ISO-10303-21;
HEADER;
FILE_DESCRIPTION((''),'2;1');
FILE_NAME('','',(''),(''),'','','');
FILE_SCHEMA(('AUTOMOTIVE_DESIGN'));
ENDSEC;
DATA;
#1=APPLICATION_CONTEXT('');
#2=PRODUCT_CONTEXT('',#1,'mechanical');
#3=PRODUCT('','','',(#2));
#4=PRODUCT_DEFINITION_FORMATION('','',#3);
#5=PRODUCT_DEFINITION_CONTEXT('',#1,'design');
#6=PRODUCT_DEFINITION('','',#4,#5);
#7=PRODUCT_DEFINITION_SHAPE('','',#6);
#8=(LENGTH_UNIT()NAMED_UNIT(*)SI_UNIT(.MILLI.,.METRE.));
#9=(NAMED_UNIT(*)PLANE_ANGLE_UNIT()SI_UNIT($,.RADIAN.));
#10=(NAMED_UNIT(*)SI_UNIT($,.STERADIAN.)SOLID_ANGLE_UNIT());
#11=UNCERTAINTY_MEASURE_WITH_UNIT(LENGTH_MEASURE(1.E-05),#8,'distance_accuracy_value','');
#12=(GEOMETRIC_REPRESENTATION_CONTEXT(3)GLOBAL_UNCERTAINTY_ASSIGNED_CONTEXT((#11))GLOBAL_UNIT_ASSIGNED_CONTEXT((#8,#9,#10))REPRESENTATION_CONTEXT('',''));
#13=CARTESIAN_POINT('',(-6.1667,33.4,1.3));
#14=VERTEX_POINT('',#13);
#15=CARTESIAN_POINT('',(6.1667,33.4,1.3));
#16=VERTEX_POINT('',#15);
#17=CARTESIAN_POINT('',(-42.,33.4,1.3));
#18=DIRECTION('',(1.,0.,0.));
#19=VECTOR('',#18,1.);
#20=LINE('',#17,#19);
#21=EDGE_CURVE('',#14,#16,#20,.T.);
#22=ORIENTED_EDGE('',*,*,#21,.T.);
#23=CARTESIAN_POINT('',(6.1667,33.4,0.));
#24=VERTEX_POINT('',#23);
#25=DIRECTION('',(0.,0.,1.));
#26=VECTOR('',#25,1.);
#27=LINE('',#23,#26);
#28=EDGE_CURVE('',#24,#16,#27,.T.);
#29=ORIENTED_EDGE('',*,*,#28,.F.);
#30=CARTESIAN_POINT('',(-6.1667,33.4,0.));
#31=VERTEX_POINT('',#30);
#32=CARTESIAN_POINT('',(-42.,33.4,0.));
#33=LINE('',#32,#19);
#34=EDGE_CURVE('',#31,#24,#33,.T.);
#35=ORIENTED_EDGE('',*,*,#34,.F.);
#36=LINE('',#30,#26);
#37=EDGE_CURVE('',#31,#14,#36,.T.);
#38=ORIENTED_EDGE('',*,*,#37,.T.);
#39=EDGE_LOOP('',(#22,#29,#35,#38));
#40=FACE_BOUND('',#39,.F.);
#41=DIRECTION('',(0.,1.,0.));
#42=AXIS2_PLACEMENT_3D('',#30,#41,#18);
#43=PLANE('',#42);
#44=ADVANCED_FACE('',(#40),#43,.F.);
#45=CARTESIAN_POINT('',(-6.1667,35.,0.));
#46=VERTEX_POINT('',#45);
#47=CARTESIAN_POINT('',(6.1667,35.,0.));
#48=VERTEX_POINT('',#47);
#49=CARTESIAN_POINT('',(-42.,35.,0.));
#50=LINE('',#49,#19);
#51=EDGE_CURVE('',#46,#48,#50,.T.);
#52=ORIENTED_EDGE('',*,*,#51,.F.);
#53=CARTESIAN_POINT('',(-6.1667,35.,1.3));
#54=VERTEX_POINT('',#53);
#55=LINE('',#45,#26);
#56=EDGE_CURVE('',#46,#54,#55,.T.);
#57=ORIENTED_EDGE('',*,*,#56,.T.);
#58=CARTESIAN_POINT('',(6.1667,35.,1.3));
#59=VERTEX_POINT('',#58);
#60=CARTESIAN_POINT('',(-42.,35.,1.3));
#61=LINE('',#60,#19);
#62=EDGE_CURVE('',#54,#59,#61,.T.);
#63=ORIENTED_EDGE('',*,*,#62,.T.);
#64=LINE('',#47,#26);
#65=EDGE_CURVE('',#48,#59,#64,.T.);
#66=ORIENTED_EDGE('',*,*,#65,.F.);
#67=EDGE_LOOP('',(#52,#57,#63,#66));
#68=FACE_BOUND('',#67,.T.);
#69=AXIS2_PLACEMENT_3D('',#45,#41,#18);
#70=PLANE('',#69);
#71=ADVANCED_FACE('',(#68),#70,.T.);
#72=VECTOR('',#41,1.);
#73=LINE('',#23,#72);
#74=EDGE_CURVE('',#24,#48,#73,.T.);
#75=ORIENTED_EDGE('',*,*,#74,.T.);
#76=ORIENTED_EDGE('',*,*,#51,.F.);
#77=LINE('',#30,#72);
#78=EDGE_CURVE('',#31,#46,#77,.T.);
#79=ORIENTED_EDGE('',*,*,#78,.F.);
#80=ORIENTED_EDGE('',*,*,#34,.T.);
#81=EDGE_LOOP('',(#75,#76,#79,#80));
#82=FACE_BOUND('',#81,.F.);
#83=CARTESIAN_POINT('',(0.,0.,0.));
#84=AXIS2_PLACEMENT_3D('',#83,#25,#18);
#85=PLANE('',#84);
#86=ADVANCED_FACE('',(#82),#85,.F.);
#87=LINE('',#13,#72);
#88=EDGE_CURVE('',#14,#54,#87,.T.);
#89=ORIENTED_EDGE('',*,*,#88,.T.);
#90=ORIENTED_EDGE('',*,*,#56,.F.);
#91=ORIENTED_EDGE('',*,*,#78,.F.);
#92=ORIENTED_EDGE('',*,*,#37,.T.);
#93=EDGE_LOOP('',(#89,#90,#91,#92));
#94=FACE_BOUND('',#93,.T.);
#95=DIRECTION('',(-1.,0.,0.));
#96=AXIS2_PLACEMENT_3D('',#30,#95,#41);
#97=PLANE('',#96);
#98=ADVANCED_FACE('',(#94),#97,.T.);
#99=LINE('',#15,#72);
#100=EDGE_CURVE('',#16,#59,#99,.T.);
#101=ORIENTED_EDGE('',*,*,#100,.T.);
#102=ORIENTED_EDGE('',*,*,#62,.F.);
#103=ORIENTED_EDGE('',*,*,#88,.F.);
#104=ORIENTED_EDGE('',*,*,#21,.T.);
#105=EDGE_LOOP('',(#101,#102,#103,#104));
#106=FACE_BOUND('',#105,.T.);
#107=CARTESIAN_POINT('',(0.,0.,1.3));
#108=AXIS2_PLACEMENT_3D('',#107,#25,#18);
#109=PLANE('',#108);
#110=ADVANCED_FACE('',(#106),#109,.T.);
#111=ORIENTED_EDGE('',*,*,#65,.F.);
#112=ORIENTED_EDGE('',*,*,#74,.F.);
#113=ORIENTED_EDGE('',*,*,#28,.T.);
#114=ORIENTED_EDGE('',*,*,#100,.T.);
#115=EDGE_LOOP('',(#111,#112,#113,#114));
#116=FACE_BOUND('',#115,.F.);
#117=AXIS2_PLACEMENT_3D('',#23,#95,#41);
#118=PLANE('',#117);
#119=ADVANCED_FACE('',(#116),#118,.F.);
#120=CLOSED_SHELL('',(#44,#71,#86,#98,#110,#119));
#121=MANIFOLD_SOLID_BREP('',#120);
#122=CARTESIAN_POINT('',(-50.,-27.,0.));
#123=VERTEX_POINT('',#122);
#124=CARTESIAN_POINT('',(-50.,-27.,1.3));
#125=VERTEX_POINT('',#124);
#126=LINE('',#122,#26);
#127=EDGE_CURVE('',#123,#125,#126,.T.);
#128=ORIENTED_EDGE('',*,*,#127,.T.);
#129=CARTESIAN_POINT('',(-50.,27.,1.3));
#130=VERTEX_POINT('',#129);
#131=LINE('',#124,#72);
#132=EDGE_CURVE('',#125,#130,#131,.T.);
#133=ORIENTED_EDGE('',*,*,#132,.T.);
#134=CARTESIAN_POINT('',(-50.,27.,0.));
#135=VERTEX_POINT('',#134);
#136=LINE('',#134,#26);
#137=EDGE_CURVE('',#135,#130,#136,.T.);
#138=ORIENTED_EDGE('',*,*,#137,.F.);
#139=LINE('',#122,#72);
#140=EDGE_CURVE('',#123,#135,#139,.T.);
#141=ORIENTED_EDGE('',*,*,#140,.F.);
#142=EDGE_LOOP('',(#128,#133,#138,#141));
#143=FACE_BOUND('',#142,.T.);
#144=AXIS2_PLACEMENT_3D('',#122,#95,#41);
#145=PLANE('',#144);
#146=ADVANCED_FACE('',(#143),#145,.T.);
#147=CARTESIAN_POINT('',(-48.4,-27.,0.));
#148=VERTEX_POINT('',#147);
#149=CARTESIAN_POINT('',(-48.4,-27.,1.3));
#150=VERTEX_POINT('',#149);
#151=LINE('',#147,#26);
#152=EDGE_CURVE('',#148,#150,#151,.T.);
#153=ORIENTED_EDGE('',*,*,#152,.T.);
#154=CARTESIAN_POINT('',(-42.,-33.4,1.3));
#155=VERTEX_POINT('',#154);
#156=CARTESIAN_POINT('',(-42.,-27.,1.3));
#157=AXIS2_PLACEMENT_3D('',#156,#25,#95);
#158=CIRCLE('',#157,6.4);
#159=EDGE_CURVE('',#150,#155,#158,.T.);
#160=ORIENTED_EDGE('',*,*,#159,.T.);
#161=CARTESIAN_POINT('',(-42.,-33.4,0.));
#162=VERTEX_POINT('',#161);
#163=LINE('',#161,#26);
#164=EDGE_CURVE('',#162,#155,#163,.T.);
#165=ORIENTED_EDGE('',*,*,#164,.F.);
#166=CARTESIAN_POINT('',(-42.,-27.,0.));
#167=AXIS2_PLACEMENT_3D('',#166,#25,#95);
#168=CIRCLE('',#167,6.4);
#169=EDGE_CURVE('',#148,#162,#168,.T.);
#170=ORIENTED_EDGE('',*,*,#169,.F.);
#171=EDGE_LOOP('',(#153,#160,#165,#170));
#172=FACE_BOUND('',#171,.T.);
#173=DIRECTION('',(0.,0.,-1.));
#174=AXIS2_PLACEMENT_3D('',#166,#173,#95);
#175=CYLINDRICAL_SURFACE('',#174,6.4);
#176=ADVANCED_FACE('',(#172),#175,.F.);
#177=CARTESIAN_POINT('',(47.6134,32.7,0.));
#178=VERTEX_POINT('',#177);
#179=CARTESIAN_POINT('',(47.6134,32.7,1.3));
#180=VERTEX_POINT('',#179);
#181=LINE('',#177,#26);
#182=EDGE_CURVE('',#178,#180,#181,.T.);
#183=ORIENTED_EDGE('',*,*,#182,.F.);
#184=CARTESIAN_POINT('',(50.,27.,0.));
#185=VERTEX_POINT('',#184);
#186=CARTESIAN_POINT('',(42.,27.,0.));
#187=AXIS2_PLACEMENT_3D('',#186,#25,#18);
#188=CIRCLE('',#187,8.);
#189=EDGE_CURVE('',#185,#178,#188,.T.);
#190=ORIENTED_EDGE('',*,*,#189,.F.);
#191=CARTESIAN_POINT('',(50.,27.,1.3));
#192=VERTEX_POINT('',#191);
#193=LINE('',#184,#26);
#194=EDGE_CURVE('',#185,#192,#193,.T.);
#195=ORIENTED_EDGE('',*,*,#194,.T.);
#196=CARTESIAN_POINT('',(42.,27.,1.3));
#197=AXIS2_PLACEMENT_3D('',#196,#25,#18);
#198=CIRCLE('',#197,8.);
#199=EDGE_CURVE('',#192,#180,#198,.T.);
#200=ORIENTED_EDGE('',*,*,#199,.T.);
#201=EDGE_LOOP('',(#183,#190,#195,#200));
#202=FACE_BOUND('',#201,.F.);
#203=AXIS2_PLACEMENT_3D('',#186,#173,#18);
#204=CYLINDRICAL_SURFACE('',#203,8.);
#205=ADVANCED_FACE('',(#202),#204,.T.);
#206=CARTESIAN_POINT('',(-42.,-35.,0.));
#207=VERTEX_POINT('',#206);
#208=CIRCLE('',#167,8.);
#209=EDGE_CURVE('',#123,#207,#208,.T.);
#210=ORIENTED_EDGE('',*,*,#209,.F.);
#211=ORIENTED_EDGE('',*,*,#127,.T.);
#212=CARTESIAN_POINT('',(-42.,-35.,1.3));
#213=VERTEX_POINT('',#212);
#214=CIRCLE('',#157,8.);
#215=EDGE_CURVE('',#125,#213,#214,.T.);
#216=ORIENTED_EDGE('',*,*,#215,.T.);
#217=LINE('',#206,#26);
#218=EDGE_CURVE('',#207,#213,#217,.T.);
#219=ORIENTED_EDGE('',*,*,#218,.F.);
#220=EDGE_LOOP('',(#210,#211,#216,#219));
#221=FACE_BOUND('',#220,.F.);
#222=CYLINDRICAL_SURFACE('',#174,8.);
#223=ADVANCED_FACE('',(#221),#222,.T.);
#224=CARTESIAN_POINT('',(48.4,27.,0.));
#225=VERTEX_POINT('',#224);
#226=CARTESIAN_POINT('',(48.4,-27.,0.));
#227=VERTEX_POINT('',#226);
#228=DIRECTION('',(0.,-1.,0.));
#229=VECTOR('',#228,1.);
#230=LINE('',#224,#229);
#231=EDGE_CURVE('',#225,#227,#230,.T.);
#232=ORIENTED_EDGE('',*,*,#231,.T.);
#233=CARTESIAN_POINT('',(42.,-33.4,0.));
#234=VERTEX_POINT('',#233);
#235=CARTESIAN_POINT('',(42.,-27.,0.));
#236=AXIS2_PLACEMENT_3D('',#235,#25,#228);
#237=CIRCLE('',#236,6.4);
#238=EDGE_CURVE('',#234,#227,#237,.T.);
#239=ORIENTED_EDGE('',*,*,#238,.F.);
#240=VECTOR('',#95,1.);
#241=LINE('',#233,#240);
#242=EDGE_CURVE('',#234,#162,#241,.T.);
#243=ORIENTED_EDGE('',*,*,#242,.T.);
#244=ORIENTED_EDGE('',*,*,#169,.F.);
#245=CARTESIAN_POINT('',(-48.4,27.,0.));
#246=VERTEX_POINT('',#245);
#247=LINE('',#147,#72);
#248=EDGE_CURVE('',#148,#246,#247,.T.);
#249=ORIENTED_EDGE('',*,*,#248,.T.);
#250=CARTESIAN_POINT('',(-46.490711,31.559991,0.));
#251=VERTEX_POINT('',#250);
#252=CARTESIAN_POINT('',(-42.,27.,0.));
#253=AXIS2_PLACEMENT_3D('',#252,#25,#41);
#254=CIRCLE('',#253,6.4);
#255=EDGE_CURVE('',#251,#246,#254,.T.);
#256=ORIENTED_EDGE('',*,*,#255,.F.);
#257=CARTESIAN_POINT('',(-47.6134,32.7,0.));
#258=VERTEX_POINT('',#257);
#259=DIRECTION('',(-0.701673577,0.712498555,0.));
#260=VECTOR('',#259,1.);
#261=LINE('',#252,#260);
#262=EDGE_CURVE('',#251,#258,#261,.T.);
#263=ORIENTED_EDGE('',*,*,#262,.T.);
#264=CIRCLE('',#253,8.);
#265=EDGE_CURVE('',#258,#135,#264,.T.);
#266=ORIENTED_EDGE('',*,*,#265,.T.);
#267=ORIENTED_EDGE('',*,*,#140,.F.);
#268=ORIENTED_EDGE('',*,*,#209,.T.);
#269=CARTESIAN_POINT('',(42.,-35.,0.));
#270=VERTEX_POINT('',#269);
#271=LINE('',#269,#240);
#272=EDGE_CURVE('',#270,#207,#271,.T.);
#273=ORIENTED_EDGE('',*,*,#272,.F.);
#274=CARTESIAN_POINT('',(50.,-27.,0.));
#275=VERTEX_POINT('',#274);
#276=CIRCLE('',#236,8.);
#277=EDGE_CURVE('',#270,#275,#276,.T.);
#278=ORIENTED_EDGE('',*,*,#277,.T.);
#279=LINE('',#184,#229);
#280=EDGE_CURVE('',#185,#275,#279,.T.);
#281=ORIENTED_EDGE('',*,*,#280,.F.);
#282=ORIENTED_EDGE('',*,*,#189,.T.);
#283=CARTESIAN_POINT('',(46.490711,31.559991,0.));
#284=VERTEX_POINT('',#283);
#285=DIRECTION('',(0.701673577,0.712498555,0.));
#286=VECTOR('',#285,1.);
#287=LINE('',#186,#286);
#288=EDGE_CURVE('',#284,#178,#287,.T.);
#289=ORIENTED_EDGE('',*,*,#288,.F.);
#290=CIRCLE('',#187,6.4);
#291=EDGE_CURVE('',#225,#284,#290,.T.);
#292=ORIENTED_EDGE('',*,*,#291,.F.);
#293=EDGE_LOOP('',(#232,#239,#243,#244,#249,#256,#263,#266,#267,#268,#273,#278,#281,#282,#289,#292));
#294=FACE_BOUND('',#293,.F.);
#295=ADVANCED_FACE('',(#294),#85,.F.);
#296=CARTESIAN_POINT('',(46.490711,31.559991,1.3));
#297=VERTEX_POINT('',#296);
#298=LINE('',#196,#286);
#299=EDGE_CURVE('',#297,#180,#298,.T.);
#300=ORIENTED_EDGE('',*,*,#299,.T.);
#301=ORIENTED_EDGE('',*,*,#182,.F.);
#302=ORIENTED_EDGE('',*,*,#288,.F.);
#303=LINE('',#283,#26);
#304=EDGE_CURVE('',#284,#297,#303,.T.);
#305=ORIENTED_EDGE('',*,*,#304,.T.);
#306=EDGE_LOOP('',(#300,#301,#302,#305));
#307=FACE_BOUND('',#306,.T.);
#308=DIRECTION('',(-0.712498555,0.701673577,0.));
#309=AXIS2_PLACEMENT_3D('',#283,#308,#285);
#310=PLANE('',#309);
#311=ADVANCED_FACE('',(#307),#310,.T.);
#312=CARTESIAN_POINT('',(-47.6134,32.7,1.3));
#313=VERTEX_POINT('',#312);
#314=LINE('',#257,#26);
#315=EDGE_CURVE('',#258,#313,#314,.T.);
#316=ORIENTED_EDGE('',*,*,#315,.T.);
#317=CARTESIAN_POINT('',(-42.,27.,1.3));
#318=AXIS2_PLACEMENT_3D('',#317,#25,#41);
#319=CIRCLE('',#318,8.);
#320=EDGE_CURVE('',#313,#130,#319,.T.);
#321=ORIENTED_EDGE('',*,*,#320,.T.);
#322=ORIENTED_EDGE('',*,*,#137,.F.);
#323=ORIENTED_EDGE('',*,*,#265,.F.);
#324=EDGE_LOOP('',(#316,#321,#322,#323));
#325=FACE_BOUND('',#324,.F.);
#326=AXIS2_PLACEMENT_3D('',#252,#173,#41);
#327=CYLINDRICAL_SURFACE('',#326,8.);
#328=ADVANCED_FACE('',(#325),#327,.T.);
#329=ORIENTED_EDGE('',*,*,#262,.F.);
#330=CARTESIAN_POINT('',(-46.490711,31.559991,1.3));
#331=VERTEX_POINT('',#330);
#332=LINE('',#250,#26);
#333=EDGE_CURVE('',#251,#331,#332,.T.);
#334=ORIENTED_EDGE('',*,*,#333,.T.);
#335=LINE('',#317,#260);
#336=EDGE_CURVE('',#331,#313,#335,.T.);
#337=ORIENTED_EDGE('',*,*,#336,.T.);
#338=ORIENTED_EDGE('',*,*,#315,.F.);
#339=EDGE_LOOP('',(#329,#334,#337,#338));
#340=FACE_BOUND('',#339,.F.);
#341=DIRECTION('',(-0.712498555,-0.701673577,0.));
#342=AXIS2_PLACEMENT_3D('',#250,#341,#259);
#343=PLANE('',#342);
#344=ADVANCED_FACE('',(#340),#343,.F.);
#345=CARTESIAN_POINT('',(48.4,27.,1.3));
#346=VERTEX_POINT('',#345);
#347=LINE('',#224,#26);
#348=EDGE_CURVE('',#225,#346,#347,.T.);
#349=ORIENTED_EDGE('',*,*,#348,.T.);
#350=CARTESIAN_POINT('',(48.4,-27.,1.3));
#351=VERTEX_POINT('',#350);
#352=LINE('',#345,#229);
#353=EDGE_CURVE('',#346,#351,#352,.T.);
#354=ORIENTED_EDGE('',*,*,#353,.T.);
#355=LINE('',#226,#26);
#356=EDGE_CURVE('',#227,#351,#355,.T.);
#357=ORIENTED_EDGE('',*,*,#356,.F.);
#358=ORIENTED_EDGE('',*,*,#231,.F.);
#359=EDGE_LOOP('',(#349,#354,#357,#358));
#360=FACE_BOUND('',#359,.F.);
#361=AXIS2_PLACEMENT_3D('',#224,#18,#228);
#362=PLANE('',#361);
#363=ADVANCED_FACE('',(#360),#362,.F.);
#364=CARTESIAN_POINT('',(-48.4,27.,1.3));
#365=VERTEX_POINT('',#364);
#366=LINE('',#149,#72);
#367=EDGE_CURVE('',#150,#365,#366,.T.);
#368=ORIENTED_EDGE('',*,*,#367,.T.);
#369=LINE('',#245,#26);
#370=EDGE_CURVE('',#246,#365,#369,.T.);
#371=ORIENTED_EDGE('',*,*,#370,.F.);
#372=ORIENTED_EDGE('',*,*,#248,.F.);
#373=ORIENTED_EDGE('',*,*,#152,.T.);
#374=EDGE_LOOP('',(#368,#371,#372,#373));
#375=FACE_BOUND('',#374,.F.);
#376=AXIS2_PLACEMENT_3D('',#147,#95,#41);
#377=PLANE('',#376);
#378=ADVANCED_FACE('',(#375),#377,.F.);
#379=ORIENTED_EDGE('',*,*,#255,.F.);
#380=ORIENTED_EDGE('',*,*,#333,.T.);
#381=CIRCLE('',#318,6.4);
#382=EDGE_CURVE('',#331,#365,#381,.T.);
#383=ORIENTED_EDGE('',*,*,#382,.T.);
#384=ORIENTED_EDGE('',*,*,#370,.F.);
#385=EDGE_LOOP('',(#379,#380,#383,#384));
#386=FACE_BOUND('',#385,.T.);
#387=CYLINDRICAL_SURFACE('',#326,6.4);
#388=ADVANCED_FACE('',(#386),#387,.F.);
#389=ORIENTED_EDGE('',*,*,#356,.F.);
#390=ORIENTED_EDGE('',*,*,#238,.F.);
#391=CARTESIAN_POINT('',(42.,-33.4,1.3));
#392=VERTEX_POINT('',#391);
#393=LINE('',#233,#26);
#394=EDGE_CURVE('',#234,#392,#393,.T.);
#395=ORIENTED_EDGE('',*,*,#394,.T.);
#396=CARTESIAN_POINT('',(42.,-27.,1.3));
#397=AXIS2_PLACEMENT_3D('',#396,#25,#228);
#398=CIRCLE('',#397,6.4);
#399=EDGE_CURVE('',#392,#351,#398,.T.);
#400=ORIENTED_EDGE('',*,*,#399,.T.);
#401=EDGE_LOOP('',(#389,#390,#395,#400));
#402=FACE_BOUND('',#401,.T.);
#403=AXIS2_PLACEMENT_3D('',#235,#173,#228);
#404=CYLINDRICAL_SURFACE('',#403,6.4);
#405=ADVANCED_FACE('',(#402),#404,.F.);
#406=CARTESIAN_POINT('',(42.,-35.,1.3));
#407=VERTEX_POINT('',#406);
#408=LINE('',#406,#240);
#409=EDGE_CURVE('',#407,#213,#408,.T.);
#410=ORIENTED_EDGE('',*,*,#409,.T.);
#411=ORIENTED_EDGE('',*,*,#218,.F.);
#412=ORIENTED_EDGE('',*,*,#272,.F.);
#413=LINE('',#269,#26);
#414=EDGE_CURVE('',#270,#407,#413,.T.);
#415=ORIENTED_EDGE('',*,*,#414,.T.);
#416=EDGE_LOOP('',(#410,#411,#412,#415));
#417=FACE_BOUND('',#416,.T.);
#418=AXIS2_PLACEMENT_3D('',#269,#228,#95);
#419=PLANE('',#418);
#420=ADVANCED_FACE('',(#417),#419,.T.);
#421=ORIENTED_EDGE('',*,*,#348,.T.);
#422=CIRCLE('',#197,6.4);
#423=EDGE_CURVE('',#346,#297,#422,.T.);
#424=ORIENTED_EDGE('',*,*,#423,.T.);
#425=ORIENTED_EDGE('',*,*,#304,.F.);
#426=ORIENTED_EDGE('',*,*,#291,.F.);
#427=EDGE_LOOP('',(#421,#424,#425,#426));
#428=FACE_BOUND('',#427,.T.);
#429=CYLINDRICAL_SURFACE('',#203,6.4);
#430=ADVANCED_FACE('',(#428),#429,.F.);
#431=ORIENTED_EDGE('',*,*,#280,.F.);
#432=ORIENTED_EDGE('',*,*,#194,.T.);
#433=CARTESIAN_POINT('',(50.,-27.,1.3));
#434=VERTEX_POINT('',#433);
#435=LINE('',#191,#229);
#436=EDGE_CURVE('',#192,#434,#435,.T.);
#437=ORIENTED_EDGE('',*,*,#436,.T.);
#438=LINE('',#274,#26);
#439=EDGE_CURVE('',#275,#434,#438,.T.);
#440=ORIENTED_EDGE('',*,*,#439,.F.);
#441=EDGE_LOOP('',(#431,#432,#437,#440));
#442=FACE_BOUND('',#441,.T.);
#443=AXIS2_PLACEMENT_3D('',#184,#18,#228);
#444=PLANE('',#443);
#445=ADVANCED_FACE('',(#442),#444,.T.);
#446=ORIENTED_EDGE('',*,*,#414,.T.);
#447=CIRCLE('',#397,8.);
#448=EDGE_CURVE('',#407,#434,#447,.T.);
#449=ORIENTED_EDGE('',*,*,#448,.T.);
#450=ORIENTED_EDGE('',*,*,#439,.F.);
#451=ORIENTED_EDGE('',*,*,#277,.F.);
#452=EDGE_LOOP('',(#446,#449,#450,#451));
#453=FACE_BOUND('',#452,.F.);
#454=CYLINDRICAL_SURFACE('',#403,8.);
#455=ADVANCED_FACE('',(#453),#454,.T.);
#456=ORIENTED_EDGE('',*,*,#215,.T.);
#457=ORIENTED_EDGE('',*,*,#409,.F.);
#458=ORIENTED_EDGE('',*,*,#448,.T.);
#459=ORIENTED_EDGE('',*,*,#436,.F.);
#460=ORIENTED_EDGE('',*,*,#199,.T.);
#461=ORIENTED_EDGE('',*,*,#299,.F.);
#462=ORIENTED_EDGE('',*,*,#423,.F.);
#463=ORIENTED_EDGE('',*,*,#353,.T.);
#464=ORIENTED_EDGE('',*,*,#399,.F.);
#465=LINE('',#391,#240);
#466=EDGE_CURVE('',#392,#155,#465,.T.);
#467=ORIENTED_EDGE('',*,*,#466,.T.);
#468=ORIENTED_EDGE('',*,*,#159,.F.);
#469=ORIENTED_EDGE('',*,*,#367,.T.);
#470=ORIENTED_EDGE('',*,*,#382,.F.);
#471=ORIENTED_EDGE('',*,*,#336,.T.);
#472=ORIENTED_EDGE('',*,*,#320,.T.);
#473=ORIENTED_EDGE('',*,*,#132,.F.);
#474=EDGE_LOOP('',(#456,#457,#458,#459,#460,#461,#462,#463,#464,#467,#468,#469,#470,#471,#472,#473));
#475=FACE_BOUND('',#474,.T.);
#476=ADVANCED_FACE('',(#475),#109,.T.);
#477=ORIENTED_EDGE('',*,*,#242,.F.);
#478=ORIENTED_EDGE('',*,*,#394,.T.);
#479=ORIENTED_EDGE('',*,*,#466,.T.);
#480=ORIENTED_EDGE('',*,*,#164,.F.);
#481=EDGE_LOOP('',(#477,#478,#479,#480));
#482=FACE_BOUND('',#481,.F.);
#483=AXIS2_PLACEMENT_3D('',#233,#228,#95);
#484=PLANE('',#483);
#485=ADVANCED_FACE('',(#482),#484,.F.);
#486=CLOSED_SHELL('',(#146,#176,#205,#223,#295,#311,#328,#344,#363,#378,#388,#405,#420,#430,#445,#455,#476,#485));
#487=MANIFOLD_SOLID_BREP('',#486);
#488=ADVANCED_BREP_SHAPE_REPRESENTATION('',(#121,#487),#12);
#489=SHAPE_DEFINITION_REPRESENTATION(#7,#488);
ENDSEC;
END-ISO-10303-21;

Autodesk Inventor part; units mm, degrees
ref_plane "YZ Plane" through (0, 0, 0) normal (1, 0, 0) x (0, 1, 0)
ref_plane "XZ Plane" through (0, 0, 0) normal (0, 1, 0) x (-1, 0, 0)
ref_plane "XY Plane" through (0, 0, 0) normal (0, 0, 1) x (1, 0, 0)
sketch "Náčrt1" plane through (0, 0, 0) normal (0, 0, 1) x (1, 0, 0)
  line L0 (-42, 35) -> (42, 35)
  line L1 (50, 27) -> (50, -27)
  line L2 (42, -35) -> (-42, -35)
  line L3 (-50, -27) -> (-50, 27)
  line L4 (-50, 35) -> (0, 0) construction
  line L5 (0, 0) -> (50, 35) construction
  line L6 (50, -35) -> (0, 0) construction
  arc A0 (-42, 35) -> (-50, 27) centre (-42, 27) ccw
  arc A1 (-50, -27) -> (-42, -35) centre (-42, -27) ccw
  arc A2 (42, -35) -> (50, -27) centre (42, -27) ccw
  arc A3 (50, 27) -> (42, 35) centre (42, 27) ccw
  line L7 (42, 34.2) -> (-42, 34.2) construction
  arc A4 (-42, 34.2) -> (-49.2, 27) centre (-42, 27) ccw construction
  line L8 (-49.2, 27) -> (-49.2, -27) construction
  arc A5 (-49.2, -27) -> (-42, -34.2) centre (-42, -27) ccw construction
  line L9 (-42, -34.2) -> (42, -34.2) construction
  arc A6 (42, -34.2) -> (49.2, -27) centre (42, -27) ccw construction
  line L10 (49.2, -27) -> (49.2, 27) construction
  arc A7 (49.2, 27) -> (42, 34.2) centre (42, 27) ccw construction
  line L11 (42, -33.4) -> (-42, -33.4)
  arc A8 (-48.4, -27) -> (-42, -33.4) centre (-42, -27) ccw
  line L12 (-48.4, -27) -> (-48.4, 27)
  arc A9 (-42, 33.4) -> (-48.4, 27) centre (-42, 27) ccw
  line L13 (-42, 33.4) -> (42, 33.4)
  arc A10 (48.4, 27) -> (42, 33.4) centre (42, 27) ccw
  line L14 (48.4, 27) -> (48.4, -27)
  arc A11 (42, -33.4) -> (48.4, -27) centre (42, -27) ccw
  line L15 (-42, 36.2) -> (42, 36.2) construction
  arc A12 (51.2, 27) -> (42, 36.2) centre (42, 27) ccw construction
  line L16 (51.2, 27) -> (51.2, -27) construction
  arc A13 (42, -36.2) -> (51.2, -27) centre (42, -27) ccw construction
  line L17 (42, -36.2) -> (-42, -36.2) construction
  arc A14 (-51.2, -27) -> (-42, -36.2) centre (-42, -27) ccw construction
  line L18 (-51.2, -27) -> (-51.2, 27) construction
  arc A15 (-42, 36.2) -> (-51.2, 27) centre (-42, 27) ccw construction
  line L19 (-50, 33.5) -> (50, 33.5) construction
  line L20 (42, 27) -> (47.6134, 32.7)
  line L21 (-42, 27) -> (-47.6134, 32.7)
  line L22 (6.1667, 33.4) -> (6.1667, 36.2)
  line L23 (-6.1667, 33.4) -> (-6.1667, 35)
  point P0 (46.4907, 31.56)
  point P1 (-46.4907, 31.56)
  point P2 (6.1667, 35)
  dimension "d0" = 70
  dimension "d1" = 100
  dimension "d2" = 8
  dimension "d3" = 0.8
  dimension "d4" = 0.8
  dimension "d5" = 2
  dimension "d6" = 2.7
  dimension "d7" = 0.8
  dimension "d8" = 0.8
  dimension "d10" = 35.8333
  dimension "d13" = 35.8333
extrude "Vysunutí1" add sketch "Náčrt1" along normal blind 1.3 contours L0 L22 L13 L23 | L21 A9 L12 A8 L11 A11 L14 A10 L20 A3 L1 A2 L2 A1 L3 A0
equation "\"d4\" = d3"
equation "\"d8\" = d7"
equation "\"d13\" = d10"
properties part number "universal_box-seal"
